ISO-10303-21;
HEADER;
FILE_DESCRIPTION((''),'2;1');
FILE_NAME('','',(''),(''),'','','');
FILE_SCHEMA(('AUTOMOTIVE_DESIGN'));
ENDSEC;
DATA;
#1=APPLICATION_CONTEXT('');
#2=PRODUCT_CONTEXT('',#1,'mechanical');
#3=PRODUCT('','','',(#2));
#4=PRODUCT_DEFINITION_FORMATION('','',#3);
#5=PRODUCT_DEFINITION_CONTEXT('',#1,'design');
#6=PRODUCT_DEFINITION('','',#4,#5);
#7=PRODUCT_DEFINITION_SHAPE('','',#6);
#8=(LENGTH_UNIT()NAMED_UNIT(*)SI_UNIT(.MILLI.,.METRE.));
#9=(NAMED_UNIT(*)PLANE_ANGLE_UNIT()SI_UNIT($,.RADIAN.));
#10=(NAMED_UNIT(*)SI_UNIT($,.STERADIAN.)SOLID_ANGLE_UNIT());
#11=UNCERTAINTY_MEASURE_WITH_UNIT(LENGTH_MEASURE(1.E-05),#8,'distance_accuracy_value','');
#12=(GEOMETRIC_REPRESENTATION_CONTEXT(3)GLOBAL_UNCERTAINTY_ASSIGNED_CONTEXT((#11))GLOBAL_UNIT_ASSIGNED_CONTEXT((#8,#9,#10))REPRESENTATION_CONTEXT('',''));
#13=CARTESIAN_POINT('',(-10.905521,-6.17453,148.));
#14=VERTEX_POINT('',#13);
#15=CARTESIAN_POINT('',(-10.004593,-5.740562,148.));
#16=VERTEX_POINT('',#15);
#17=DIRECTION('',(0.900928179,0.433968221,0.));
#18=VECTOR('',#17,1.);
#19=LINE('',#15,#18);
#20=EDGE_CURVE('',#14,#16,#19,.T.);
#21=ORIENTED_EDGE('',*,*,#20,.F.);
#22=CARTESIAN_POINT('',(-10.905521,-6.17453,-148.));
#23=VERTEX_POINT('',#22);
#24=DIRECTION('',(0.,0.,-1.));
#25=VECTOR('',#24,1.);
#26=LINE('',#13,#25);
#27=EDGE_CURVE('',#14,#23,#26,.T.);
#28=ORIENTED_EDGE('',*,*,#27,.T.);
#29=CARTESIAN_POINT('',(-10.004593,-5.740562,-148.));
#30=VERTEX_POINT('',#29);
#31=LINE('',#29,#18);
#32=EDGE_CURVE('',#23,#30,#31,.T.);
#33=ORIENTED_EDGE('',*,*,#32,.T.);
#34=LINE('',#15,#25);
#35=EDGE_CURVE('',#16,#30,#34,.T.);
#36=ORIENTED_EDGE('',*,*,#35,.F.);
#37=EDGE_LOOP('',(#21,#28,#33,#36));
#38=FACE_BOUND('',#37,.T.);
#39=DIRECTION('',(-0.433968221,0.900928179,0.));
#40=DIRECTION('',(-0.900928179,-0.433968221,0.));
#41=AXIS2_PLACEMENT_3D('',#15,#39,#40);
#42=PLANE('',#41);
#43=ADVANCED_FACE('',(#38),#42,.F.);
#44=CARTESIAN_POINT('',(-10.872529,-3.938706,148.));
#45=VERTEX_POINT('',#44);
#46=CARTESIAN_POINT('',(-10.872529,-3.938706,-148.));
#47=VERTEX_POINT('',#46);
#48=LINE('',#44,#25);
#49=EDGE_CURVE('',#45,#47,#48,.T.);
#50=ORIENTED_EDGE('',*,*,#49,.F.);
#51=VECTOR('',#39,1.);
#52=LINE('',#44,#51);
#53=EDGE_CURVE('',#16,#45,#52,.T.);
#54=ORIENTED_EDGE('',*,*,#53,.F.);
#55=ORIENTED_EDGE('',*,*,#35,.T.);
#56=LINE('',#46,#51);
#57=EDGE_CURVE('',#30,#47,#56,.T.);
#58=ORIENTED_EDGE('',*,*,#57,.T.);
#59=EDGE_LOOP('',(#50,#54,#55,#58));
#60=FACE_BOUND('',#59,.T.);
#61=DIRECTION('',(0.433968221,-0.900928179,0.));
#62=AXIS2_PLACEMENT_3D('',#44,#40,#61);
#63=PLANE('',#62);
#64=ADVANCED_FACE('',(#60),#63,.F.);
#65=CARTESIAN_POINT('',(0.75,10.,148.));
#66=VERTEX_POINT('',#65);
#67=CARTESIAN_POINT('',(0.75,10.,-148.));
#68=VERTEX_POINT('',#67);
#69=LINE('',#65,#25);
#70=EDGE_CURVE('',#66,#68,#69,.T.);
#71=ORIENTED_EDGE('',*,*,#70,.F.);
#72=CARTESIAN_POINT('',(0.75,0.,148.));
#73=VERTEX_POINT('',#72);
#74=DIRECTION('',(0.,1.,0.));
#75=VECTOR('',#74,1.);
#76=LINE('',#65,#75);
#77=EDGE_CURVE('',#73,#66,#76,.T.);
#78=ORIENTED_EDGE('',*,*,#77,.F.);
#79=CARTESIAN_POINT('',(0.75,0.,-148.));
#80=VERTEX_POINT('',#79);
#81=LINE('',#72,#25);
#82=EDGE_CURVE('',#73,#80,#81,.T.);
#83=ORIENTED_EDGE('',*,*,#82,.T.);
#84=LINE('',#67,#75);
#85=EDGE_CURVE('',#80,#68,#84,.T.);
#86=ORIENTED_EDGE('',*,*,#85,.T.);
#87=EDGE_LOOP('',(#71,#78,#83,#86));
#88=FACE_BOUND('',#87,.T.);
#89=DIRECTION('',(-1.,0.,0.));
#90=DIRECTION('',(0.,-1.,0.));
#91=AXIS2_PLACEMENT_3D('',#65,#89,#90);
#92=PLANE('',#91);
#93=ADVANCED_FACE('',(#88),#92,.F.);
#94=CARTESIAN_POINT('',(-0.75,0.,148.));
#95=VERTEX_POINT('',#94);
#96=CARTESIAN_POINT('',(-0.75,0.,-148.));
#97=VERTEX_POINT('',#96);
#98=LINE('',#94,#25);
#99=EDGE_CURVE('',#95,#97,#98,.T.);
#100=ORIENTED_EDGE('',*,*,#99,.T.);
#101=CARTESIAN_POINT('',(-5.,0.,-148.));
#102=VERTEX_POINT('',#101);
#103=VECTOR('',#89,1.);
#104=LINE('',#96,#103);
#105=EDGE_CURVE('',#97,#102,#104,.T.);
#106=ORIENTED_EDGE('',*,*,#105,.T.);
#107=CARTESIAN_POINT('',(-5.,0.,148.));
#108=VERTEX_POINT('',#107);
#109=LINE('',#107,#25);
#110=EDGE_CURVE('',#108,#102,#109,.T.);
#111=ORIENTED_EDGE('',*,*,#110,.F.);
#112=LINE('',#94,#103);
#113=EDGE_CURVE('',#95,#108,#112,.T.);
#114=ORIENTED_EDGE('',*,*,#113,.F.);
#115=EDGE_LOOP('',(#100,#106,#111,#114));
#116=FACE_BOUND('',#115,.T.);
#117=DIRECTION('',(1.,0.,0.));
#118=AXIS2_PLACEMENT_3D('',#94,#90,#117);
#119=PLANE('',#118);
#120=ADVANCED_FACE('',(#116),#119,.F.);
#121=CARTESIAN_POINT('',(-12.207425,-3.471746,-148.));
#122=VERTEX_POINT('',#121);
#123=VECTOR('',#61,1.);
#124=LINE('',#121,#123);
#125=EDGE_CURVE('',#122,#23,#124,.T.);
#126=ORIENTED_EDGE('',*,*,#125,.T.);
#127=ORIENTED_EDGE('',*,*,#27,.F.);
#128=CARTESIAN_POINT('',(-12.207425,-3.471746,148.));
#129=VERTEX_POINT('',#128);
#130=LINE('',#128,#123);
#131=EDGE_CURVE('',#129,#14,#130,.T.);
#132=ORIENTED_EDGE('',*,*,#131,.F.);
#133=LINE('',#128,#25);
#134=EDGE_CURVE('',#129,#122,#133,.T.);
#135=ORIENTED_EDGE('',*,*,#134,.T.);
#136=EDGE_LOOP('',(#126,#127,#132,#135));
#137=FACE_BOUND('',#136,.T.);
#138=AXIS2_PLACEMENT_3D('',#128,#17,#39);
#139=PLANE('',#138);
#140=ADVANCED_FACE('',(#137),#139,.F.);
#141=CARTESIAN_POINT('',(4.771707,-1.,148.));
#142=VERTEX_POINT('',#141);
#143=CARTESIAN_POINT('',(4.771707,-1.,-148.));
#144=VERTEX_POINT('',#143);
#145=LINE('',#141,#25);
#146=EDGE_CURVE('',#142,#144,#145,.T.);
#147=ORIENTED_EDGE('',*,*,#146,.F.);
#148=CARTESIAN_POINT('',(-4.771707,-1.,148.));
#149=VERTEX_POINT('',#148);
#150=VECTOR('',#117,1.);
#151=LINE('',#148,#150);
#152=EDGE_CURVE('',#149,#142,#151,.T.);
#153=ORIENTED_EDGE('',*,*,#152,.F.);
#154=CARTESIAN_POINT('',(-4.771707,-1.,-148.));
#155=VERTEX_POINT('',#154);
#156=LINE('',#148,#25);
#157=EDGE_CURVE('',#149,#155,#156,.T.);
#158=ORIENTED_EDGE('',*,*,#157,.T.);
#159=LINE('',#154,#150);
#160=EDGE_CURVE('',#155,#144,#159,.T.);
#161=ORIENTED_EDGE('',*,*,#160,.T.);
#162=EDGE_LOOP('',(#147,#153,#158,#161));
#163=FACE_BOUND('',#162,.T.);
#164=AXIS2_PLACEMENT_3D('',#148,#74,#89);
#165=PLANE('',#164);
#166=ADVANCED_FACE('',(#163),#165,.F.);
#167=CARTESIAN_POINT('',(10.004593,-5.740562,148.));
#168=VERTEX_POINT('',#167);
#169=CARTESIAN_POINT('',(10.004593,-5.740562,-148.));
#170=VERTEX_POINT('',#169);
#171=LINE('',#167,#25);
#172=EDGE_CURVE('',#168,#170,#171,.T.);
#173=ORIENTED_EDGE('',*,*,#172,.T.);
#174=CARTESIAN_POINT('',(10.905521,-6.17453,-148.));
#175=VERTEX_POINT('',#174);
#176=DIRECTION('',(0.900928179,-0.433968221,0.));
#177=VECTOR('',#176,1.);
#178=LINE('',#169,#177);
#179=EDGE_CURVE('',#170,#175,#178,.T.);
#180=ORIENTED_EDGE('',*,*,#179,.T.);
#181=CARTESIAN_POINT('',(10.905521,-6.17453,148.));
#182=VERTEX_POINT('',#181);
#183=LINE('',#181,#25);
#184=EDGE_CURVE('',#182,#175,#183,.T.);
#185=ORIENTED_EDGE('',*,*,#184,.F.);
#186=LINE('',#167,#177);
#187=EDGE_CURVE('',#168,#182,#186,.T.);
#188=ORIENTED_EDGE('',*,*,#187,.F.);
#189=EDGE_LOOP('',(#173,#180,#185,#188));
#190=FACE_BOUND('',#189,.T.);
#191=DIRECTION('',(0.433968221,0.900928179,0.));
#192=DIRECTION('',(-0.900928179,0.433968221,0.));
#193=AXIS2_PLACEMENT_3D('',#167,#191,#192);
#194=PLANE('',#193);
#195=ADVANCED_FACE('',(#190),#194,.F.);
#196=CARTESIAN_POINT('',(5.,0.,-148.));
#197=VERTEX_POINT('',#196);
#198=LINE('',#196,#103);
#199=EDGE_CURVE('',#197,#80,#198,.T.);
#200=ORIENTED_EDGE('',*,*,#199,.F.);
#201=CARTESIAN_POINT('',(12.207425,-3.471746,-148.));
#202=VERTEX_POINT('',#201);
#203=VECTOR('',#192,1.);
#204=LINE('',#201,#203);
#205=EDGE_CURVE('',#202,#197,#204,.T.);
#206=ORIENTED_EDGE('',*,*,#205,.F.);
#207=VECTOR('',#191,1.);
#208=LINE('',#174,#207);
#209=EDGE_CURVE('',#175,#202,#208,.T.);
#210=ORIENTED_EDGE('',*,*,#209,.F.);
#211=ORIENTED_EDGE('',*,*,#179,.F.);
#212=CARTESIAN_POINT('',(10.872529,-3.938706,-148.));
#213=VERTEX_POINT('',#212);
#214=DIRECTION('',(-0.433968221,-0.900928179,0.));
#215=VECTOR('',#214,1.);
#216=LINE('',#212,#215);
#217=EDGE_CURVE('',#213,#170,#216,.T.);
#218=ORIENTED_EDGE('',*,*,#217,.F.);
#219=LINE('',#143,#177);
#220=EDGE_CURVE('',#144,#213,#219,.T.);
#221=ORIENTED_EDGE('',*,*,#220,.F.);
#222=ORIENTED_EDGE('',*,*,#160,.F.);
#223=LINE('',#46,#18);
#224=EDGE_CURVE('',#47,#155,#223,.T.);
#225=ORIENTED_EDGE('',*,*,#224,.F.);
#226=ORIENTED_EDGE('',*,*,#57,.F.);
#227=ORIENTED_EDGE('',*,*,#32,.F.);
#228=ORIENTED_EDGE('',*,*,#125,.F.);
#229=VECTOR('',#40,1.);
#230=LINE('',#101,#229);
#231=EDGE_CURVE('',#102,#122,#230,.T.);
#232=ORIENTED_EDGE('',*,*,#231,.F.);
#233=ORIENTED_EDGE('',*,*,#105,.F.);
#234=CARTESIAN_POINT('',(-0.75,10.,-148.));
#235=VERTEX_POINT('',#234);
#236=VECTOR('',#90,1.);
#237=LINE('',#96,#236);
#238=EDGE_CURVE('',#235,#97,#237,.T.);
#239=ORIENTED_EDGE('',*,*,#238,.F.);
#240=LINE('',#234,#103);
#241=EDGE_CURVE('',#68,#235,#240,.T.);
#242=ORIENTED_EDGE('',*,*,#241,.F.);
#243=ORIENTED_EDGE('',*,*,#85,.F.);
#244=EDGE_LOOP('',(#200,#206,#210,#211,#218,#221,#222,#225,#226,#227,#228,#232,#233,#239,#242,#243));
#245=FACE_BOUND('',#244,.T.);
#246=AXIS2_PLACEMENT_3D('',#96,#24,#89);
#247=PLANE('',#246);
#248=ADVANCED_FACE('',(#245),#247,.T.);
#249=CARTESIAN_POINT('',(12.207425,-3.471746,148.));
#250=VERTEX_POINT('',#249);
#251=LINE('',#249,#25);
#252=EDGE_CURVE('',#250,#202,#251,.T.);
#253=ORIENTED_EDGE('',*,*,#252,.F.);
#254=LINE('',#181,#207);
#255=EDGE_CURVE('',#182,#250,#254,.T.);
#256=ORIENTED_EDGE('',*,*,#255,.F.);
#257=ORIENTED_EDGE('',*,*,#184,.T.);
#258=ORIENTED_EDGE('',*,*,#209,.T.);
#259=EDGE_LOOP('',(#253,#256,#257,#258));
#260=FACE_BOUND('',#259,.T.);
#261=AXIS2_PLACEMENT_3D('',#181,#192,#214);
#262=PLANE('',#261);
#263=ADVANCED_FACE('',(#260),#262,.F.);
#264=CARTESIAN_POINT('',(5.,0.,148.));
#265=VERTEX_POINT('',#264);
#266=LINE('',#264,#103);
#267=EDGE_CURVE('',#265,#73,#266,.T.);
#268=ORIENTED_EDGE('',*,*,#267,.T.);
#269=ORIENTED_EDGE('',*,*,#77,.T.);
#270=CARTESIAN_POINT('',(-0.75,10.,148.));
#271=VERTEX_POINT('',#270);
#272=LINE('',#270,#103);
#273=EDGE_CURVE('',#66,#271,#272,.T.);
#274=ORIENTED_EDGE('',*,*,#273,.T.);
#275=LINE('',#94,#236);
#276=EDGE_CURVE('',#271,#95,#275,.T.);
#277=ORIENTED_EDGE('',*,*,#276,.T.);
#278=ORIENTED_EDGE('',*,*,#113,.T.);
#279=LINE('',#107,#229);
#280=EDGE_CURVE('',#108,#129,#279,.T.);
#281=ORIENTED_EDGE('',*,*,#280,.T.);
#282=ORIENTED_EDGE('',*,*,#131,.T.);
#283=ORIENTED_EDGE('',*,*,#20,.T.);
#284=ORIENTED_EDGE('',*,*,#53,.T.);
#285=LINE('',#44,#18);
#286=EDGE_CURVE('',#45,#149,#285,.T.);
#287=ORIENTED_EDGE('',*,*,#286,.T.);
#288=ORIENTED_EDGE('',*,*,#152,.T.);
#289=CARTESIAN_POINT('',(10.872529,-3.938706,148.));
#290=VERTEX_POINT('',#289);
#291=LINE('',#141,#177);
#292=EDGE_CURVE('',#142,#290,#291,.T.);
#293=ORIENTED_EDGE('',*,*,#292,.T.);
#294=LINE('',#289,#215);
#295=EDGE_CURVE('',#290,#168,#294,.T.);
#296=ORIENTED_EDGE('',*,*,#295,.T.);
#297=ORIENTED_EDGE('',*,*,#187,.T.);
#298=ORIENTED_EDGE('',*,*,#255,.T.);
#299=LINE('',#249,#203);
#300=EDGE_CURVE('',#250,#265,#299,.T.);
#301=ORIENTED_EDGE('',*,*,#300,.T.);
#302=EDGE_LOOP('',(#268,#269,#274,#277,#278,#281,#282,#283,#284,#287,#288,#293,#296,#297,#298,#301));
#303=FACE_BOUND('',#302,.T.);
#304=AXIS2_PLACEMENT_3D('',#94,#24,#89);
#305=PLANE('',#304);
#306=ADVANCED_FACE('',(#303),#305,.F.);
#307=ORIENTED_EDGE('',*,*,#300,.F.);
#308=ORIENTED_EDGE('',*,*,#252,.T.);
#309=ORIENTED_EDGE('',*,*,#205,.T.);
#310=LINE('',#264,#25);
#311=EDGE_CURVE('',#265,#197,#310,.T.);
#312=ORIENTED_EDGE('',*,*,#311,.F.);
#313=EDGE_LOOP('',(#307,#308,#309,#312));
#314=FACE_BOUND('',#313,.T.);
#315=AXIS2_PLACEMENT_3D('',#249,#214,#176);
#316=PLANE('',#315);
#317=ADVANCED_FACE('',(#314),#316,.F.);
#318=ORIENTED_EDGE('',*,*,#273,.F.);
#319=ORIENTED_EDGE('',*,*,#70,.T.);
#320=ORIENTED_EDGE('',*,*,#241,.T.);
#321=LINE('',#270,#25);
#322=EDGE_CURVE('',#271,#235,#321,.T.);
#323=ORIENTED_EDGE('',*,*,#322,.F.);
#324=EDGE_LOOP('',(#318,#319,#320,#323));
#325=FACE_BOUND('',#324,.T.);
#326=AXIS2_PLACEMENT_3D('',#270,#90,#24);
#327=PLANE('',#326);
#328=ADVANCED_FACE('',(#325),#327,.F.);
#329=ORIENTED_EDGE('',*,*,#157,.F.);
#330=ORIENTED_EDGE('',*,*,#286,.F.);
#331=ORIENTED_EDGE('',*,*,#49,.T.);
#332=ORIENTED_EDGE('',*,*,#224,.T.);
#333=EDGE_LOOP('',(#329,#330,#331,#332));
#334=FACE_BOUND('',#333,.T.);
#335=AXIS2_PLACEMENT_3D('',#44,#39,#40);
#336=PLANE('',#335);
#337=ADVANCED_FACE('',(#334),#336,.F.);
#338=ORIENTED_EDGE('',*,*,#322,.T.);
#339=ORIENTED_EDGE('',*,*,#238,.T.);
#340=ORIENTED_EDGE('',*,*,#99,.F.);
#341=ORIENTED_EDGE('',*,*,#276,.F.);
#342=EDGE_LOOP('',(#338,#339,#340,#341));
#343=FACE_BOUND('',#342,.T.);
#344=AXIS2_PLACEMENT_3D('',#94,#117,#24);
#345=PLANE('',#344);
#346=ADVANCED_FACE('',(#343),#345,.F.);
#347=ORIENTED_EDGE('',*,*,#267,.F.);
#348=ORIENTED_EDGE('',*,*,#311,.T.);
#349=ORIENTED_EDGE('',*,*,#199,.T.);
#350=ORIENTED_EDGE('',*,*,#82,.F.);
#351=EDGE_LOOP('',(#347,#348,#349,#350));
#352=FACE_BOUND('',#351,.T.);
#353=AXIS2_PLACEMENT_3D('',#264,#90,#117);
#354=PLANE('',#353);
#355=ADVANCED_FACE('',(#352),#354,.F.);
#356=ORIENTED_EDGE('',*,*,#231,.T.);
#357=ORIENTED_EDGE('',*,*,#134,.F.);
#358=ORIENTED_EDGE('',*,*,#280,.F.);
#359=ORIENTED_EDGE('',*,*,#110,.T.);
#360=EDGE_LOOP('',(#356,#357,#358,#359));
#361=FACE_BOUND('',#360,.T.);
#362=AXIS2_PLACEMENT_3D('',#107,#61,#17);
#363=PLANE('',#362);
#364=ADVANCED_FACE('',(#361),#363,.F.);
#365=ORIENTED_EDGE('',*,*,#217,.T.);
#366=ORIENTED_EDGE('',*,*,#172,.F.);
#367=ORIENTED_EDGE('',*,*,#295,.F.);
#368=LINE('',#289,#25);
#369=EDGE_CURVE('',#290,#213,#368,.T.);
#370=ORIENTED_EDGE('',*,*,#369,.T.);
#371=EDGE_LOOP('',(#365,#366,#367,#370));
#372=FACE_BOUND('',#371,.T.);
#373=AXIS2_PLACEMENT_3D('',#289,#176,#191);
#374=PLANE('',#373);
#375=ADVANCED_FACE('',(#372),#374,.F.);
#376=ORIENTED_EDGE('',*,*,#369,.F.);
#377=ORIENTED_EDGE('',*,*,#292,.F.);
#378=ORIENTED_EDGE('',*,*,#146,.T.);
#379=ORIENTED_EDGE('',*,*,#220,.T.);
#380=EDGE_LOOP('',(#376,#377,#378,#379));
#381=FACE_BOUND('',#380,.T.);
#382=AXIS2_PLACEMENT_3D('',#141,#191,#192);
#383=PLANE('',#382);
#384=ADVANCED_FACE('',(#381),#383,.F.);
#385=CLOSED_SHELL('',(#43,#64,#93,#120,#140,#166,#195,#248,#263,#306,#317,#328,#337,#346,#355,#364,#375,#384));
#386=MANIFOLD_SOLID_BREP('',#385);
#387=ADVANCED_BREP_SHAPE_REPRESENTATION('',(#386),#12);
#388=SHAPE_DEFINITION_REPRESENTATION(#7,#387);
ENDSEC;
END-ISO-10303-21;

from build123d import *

# Parameters (mm, degrees)
EXTRUSION1_DEPTH = 148


with BuildPart() as part:
    # Esquisse1 → Extrusion1 (new body, symmetric)
    with BuildSketch(Plane.XY):
        Polygon((-0.75, 0), (-0.75, 10), (0.75, 10), (0.75, 0), (5, 0), (12.207425429, -3.47174577), (10.905520765, -6.174530306), (10.004592586, -5.740562084), (10.872529029, -3.938705727), (4.771707198, -1), (-4.771707198, -1), (-10.872529029, -3.938705727), (-10.004592586, -5.740562084), (-10.905520765, -6.174530306), (-12.207425429, -3.47174577), (-5, 0), align=None)
    extrude(amount=EXTRUSION1_DEPTH, both=True)


solid = part.part
